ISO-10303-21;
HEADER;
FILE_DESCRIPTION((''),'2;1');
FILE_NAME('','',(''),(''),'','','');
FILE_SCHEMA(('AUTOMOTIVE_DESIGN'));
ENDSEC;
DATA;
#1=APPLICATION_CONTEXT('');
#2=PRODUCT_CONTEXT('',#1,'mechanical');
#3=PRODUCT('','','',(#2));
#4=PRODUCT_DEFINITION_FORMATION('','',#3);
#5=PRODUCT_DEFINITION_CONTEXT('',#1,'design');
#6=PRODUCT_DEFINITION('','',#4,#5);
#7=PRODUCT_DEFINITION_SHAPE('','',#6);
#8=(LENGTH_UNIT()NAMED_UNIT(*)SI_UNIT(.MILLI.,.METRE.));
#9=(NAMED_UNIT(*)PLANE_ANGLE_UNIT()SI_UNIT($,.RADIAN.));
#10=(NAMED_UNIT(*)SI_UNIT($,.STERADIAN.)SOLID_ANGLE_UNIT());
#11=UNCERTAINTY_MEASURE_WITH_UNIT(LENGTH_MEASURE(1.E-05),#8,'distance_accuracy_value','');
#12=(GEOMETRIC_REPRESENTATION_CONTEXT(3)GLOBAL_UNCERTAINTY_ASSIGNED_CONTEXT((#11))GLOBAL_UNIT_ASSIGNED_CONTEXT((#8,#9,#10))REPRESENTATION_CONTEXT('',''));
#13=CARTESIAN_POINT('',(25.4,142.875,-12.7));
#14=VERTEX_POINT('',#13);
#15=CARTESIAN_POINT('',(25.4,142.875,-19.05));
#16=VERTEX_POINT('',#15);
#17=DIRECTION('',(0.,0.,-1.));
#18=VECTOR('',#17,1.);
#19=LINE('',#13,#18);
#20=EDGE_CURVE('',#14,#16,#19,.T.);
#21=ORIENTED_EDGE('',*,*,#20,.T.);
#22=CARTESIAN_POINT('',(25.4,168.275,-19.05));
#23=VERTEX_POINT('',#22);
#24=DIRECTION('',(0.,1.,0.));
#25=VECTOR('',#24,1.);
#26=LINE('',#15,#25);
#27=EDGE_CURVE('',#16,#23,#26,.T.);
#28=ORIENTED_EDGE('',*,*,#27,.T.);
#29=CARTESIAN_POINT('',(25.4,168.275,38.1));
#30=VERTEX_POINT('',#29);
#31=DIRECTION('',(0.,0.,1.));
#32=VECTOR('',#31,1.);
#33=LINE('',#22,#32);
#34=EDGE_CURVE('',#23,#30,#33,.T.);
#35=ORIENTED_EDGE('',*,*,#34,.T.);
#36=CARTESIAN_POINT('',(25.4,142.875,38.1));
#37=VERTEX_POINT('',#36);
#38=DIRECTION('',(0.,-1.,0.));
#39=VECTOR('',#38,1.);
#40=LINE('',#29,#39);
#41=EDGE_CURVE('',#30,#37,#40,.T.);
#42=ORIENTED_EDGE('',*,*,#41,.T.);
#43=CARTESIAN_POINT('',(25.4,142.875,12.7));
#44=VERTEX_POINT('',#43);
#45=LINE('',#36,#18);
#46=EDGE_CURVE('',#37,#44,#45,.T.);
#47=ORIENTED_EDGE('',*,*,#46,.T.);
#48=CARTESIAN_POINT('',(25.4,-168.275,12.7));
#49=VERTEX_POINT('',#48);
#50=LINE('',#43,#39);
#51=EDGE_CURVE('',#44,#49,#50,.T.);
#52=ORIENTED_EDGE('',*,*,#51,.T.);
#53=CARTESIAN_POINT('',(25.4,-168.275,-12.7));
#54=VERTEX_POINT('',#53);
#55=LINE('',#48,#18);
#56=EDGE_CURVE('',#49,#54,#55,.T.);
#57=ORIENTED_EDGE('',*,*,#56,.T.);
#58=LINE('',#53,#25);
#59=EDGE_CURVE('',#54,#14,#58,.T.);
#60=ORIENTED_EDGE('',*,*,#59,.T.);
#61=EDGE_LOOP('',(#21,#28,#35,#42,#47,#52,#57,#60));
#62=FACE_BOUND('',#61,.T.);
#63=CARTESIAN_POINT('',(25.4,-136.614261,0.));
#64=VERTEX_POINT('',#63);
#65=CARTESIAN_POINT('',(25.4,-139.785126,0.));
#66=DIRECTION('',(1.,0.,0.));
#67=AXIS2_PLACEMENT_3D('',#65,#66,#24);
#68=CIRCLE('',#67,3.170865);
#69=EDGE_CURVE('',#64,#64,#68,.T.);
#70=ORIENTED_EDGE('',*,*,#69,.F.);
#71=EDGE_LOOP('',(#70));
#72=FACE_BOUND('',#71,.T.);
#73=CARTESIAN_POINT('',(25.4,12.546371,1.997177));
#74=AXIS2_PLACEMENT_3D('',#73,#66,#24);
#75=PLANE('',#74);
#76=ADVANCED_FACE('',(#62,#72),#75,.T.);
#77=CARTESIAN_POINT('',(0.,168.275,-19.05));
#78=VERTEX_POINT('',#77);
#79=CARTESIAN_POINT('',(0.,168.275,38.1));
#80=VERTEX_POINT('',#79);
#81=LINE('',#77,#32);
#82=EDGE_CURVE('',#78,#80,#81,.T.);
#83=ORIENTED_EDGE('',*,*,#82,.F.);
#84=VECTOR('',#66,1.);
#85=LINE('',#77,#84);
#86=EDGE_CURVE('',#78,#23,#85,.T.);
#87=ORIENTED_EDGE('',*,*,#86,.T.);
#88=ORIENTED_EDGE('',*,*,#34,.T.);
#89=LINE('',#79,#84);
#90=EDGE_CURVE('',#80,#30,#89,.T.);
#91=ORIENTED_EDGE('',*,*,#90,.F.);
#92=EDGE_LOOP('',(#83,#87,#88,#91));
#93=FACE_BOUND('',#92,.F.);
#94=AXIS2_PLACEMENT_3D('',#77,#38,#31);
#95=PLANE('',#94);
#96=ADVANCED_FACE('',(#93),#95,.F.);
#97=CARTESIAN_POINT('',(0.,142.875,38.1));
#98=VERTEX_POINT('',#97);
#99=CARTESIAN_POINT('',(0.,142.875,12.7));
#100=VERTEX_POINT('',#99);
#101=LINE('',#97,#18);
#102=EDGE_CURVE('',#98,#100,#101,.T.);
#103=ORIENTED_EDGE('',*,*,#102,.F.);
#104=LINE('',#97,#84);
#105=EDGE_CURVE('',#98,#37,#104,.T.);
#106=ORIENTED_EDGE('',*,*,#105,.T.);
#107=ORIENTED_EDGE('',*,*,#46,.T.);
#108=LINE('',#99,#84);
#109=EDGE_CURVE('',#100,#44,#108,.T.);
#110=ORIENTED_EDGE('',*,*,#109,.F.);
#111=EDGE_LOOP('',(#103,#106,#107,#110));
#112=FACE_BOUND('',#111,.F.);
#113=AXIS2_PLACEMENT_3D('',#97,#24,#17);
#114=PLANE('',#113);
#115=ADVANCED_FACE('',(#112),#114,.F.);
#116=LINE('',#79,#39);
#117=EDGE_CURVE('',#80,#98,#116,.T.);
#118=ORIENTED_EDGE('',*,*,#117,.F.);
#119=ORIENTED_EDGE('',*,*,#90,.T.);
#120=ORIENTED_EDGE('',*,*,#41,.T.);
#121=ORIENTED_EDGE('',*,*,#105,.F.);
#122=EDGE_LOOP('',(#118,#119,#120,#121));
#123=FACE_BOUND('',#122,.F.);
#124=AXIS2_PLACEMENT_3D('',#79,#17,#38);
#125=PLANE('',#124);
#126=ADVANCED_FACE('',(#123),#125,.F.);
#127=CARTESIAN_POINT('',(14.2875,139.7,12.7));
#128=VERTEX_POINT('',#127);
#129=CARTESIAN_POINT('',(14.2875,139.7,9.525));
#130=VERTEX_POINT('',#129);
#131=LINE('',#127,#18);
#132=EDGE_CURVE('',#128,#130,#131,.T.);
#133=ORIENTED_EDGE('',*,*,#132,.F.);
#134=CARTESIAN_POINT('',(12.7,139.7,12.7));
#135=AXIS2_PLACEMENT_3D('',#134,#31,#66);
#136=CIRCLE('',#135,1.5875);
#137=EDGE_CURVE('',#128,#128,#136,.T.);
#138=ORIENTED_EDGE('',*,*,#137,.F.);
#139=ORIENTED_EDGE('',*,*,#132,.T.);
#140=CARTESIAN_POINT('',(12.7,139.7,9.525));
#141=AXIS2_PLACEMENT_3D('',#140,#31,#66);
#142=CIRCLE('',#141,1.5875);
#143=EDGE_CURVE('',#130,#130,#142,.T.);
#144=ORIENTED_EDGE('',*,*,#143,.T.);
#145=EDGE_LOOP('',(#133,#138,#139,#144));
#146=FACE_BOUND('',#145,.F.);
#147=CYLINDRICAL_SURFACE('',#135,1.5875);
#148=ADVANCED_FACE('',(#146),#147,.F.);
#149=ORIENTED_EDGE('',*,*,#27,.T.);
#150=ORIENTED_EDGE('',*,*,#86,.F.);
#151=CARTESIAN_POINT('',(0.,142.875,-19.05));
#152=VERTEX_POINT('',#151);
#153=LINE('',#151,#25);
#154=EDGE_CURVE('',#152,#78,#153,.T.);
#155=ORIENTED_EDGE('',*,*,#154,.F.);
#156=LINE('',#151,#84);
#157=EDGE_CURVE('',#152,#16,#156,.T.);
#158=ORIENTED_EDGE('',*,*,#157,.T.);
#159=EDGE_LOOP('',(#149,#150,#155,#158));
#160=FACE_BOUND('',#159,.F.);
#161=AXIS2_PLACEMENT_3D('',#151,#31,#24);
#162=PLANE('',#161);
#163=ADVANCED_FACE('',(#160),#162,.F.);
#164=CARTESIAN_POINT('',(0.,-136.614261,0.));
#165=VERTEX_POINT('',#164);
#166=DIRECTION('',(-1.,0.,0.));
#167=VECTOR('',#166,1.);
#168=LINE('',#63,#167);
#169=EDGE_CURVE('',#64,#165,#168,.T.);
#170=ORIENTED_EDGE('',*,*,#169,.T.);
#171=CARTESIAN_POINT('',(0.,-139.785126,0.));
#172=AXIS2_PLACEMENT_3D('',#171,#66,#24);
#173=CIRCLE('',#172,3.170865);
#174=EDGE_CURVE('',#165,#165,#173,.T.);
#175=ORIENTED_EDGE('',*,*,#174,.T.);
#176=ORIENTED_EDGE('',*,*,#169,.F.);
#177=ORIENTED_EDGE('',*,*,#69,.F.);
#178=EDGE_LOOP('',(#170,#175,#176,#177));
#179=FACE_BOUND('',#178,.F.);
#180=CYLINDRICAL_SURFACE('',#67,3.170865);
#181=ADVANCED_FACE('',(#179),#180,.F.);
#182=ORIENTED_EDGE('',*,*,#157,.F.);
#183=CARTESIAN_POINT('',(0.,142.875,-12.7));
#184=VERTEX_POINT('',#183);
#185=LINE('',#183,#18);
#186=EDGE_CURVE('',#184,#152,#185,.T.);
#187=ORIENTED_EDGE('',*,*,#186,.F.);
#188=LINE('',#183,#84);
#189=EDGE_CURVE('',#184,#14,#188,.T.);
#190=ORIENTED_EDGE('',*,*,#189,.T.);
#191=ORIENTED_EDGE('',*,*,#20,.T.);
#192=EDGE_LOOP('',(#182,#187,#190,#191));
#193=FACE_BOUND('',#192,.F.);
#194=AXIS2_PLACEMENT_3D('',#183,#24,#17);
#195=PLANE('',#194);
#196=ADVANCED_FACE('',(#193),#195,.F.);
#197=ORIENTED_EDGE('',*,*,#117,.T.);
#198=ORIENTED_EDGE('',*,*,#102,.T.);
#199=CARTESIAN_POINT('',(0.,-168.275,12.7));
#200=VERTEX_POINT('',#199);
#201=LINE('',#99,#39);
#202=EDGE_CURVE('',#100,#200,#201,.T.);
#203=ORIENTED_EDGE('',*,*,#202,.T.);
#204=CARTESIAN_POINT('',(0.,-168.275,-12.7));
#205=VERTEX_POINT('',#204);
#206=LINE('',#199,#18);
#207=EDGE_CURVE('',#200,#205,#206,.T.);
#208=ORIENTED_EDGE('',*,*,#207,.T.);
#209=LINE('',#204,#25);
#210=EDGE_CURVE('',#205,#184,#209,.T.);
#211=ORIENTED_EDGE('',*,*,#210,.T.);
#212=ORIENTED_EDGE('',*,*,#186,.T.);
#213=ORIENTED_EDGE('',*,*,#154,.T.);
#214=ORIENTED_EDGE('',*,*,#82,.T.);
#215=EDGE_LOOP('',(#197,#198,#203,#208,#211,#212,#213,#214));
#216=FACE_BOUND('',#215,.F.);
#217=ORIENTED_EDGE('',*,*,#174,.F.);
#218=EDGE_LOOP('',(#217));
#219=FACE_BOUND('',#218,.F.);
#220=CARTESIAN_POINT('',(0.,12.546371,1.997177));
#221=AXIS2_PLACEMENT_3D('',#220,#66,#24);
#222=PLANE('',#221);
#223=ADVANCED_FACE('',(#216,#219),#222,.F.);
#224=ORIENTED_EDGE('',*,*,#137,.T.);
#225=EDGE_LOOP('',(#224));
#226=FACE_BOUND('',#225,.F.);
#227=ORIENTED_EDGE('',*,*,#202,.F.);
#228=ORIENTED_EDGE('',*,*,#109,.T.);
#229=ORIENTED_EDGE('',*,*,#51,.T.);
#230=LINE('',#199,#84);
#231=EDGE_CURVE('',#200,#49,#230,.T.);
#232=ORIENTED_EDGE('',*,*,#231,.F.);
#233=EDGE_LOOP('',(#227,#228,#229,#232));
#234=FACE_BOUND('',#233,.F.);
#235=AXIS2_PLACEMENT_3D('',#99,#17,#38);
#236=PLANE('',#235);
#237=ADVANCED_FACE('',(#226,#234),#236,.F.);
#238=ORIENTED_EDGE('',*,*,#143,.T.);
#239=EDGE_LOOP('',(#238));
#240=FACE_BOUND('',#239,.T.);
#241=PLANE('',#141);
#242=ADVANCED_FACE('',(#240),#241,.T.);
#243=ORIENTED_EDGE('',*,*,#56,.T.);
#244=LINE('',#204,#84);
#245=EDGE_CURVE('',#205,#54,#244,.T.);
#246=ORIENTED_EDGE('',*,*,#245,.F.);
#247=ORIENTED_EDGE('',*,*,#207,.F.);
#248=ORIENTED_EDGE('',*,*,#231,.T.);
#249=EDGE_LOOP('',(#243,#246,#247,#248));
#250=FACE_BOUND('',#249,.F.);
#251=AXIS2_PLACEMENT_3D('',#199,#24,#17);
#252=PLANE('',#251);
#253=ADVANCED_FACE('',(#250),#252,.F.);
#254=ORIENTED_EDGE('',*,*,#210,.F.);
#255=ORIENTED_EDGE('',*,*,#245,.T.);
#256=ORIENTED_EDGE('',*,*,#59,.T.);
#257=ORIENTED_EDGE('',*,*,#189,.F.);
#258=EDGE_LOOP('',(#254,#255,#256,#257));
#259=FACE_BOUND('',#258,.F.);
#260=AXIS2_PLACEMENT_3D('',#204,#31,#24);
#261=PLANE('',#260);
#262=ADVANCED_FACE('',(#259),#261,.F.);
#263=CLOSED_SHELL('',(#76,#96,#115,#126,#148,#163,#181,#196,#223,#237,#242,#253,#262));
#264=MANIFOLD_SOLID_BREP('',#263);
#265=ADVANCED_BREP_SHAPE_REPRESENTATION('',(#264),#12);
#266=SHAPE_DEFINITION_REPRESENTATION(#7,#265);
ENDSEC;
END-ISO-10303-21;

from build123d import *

# Parameters (mm, degrees)
F1_DEPTH = 25.4
F2_R     = 3.170865
F3_DEPTH = 25.401
F4_R     = 1.5875
F5_DEPTH = 3.175


with BuildPart() as f1:
    # F0 (on Right) → F1 (new body)
    with BuildSketch(Plane.YZ):
        Polygon((-168.275, -12.7), (142.875, -12.7), (142.875, -19.05), (168.275, -19.05), (168.275, -12.7), (168.275, 12.7), (168.275, 38.1), (142.875, 38.1), (142.875, 12.7), (-168.275, 12.7), align=None)
    extrude(amount=F1_DEPTH)

    # F2 (on face) → F3 (cut, through all)
    with BuildSketch(Plane.YZ.offset(25.4)):
        with Locations((-139.785126, 0)):
            Circle(F2_R)
    extrude(amount=-F3_DEPTH, mode=Mode.SUBTRACT)

    # F4 (on face) → F5 (cut)
    with BuildSketch(Plane.XY.offset(12.7)):
        with Locations((12.7, 139.7)):
            Circle(F4_R)
    extrude(amount=-F5_DEPTH, mode=Mode.SUBTRACT)


solid = f1.part
